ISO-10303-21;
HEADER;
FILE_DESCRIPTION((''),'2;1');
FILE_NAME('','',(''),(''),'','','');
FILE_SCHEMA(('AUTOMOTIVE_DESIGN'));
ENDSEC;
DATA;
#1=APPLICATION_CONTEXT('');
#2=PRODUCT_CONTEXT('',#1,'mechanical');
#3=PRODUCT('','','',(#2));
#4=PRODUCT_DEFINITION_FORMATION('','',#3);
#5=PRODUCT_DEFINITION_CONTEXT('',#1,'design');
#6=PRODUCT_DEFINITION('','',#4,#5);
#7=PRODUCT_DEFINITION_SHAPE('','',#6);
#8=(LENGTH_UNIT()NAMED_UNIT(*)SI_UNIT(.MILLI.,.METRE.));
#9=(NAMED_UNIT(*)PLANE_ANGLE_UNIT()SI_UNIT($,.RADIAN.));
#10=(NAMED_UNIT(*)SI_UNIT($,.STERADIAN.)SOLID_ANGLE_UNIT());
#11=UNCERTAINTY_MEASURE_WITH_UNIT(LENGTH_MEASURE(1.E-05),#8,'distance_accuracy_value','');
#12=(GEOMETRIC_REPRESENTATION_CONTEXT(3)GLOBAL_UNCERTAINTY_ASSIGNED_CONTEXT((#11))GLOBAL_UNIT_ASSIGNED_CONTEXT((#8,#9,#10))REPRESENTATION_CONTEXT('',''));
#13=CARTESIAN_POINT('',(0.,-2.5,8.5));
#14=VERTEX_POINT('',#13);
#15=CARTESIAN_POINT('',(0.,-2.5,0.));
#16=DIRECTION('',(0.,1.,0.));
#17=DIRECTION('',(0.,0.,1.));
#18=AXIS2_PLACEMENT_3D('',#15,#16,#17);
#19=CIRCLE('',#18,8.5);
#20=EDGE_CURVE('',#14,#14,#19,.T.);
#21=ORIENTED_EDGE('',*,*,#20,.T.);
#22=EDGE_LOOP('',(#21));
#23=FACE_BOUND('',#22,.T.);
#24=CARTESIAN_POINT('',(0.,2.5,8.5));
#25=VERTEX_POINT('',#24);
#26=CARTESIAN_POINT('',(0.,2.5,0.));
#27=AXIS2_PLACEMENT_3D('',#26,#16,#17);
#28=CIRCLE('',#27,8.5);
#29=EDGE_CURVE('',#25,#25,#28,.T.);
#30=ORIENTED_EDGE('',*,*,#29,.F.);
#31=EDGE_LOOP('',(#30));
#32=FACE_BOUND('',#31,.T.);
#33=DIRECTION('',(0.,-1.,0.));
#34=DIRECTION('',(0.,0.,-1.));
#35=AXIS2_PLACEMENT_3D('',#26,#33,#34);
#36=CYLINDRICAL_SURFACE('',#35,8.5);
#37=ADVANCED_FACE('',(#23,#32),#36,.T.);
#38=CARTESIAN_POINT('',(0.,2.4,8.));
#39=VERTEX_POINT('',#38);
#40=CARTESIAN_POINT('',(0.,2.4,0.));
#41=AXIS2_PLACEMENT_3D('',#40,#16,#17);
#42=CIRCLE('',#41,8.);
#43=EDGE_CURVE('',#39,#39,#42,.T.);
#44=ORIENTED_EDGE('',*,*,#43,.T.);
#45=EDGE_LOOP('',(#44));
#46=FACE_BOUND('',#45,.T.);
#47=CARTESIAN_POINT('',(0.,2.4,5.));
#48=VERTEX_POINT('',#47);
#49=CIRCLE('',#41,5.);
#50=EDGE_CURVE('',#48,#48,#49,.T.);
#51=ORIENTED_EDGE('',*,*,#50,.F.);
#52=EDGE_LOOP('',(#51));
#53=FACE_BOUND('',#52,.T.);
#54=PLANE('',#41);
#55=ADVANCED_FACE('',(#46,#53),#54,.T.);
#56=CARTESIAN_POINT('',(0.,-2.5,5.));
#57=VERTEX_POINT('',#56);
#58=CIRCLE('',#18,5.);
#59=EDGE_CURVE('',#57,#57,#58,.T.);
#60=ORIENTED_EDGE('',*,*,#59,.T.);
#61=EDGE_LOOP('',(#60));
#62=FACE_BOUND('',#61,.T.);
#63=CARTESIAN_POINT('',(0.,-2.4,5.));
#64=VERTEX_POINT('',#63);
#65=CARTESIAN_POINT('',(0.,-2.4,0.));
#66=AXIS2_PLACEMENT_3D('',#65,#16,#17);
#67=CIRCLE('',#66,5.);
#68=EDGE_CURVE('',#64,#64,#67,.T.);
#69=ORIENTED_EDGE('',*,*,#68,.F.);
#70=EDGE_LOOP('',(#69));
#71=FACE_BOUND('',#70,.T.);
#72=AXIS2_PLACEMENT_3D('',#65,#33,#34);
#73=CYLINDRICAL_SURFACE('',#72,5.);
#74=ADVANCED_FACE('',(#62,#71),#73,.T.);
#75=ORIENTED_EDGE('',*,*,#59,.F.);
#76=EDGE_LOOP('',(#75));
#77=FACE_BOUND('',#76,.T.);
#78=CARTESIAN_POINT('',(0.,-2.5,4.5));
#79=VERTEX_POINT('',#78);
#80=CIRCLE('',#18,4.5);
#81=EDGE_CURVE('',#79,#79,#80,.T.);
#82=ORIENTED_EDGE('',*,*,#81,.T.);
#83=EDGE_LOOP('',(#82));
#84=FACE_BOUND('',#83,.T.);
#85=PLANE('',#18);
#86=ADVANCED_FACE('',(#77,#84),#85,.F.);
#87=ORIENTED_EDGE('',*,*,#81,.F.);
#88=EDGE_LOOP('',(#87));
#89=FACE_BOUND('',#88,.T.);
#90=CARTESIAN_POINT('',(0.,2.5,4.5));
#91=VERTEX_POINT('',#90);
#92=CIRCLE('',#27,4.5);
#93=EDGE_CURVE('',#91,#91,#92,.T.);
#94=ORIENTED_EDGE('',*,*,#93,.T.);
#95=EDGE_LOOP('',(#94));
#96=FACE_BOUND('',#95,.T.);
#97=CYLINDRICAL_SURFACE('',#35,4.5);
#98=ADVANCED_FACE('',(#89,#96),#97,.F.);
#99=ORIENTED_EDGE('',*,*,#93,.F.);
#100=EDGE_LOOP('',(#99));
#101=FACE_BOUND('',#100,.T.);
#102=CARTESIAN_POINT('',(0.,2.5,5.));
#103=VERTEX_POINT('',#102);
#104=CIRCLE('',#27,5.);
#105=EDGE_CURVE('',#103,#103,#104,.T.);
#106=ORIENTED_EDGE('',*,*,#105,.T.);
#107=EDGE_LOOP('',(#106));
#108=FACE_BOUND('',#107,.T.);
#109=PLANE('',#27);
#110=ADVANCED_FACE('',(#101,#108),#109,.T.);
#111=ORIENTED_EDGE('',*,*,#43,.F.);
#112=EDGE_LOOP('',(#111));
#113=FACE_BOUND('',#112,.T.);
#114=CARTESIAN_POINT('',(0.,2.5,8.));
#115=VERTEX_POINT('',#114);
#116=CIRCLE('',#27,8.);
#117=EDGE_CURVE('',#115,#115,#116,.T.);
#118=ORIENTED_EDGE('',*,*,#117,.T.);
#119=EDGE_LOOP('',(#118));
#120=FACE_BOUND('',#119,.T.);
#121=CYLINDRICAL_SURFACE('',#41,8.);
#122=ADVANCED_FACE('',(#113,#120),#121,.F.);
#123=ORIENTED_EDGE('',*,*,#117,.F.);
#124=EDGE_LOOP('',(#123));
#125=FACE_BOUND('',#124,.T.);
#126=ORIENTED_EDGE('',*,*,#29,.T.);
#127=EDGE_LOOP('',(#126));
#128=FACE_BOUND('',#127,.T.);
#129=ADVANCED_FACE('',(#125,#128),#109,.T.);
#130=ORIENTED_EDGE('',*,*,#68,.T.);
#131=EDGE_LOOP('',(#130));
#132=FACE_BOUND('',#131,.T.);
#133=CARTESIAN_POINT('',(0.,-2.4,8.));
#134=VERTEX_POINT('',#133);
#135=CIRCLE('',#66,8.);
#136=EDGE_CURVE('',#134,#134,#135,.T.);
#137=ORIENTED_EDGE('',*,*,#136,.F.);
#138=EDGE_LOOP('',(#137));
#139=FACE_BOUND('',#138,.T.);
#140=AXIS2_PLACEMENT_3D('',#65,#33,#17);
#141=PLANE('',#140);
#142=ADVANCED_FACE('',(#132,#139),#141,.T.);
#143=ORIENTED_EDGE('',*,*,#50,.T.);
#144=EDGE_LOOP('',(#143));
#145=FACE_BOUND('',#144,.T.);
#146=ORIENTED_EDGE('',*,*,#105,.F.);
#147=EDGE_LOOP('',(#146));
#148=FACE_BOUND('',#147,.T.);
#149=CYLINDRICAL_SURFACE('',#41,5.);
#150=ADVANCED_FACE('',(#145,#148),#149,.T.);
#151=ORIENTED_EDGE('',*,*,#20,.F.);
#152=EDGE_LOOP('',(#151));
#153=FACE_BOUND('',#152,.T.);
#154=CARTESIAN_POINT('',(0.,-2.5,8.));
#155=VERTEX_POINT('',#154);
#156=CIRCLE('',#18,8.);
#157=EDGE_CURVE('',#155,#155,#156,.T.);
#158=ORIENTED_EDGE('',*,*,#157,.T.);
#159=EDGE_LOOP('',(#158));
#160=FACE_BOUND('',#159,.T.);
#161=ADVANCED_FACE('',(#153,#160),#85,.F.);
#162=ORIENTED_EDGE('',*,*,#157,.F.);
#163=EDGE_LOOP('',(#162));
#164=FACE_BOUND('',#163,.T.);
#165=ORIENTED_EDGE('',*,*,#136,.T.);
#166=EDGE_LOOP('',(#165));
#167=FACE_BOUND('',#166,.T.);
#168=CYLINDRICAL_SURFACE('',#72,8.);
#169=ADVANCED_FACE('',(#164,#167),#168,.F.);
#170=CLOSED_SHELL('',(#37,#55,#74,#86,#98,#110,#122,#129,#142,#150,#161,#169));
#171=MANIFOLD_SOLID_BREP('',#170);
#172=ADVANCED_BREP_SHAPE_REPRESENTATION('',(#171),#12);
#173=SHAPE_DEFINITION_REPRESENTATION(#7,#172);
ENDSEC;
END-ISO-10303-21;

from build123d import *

# Parameters (mm, degrees)
SKETCH1_R           = 8.5
SKETCH1_R_2         = 4.5
BOSS_EXTRUDE1_DEPTH = 2.5
SKETCH2_R           = 8
SKETCH2_R_2         = 5
CUT_EXTRUDE1_DEPTH  = 0.1


with BuildPart() as part:
    # Sketch1 → Boss-Extrude1 (new body, symmetric)
    with BuildSketch(Plane(origin=(0, 0, 0), x_dir=(1, 0, 0), z_dir=(0, 1, 0))):
        Circle(SKETCH1_R)
        Circle(SKETCH1_R_2, mode=Mode.SUBTRACT)
    extrude(amount=BOSS_EXTRUDE1_DEPTH, both=True)

    # Sketch2 → Cut-Extrude1 (cut)
    with BuildSketch(Plane(origin=(0, 2.5, 0), x_dir=(1, 0, 0), z_dir=(0, 1, 0))):
        Circle(SKETCH2_R)
        Circle(SKETCH2_R_2, mode=Mode.SUBTRACT)
    cut_extrude1 = extrude(amount=-CUT_EXTRUDE1_DEPTH, mode=Mode.SUBTRACT)

    # Mirror1: Cut-Extrude1 across plane
    add(cut_extrude1.mirror(Plane.ZX), mode=Mode.SUBTRACT)


solid = part.part
